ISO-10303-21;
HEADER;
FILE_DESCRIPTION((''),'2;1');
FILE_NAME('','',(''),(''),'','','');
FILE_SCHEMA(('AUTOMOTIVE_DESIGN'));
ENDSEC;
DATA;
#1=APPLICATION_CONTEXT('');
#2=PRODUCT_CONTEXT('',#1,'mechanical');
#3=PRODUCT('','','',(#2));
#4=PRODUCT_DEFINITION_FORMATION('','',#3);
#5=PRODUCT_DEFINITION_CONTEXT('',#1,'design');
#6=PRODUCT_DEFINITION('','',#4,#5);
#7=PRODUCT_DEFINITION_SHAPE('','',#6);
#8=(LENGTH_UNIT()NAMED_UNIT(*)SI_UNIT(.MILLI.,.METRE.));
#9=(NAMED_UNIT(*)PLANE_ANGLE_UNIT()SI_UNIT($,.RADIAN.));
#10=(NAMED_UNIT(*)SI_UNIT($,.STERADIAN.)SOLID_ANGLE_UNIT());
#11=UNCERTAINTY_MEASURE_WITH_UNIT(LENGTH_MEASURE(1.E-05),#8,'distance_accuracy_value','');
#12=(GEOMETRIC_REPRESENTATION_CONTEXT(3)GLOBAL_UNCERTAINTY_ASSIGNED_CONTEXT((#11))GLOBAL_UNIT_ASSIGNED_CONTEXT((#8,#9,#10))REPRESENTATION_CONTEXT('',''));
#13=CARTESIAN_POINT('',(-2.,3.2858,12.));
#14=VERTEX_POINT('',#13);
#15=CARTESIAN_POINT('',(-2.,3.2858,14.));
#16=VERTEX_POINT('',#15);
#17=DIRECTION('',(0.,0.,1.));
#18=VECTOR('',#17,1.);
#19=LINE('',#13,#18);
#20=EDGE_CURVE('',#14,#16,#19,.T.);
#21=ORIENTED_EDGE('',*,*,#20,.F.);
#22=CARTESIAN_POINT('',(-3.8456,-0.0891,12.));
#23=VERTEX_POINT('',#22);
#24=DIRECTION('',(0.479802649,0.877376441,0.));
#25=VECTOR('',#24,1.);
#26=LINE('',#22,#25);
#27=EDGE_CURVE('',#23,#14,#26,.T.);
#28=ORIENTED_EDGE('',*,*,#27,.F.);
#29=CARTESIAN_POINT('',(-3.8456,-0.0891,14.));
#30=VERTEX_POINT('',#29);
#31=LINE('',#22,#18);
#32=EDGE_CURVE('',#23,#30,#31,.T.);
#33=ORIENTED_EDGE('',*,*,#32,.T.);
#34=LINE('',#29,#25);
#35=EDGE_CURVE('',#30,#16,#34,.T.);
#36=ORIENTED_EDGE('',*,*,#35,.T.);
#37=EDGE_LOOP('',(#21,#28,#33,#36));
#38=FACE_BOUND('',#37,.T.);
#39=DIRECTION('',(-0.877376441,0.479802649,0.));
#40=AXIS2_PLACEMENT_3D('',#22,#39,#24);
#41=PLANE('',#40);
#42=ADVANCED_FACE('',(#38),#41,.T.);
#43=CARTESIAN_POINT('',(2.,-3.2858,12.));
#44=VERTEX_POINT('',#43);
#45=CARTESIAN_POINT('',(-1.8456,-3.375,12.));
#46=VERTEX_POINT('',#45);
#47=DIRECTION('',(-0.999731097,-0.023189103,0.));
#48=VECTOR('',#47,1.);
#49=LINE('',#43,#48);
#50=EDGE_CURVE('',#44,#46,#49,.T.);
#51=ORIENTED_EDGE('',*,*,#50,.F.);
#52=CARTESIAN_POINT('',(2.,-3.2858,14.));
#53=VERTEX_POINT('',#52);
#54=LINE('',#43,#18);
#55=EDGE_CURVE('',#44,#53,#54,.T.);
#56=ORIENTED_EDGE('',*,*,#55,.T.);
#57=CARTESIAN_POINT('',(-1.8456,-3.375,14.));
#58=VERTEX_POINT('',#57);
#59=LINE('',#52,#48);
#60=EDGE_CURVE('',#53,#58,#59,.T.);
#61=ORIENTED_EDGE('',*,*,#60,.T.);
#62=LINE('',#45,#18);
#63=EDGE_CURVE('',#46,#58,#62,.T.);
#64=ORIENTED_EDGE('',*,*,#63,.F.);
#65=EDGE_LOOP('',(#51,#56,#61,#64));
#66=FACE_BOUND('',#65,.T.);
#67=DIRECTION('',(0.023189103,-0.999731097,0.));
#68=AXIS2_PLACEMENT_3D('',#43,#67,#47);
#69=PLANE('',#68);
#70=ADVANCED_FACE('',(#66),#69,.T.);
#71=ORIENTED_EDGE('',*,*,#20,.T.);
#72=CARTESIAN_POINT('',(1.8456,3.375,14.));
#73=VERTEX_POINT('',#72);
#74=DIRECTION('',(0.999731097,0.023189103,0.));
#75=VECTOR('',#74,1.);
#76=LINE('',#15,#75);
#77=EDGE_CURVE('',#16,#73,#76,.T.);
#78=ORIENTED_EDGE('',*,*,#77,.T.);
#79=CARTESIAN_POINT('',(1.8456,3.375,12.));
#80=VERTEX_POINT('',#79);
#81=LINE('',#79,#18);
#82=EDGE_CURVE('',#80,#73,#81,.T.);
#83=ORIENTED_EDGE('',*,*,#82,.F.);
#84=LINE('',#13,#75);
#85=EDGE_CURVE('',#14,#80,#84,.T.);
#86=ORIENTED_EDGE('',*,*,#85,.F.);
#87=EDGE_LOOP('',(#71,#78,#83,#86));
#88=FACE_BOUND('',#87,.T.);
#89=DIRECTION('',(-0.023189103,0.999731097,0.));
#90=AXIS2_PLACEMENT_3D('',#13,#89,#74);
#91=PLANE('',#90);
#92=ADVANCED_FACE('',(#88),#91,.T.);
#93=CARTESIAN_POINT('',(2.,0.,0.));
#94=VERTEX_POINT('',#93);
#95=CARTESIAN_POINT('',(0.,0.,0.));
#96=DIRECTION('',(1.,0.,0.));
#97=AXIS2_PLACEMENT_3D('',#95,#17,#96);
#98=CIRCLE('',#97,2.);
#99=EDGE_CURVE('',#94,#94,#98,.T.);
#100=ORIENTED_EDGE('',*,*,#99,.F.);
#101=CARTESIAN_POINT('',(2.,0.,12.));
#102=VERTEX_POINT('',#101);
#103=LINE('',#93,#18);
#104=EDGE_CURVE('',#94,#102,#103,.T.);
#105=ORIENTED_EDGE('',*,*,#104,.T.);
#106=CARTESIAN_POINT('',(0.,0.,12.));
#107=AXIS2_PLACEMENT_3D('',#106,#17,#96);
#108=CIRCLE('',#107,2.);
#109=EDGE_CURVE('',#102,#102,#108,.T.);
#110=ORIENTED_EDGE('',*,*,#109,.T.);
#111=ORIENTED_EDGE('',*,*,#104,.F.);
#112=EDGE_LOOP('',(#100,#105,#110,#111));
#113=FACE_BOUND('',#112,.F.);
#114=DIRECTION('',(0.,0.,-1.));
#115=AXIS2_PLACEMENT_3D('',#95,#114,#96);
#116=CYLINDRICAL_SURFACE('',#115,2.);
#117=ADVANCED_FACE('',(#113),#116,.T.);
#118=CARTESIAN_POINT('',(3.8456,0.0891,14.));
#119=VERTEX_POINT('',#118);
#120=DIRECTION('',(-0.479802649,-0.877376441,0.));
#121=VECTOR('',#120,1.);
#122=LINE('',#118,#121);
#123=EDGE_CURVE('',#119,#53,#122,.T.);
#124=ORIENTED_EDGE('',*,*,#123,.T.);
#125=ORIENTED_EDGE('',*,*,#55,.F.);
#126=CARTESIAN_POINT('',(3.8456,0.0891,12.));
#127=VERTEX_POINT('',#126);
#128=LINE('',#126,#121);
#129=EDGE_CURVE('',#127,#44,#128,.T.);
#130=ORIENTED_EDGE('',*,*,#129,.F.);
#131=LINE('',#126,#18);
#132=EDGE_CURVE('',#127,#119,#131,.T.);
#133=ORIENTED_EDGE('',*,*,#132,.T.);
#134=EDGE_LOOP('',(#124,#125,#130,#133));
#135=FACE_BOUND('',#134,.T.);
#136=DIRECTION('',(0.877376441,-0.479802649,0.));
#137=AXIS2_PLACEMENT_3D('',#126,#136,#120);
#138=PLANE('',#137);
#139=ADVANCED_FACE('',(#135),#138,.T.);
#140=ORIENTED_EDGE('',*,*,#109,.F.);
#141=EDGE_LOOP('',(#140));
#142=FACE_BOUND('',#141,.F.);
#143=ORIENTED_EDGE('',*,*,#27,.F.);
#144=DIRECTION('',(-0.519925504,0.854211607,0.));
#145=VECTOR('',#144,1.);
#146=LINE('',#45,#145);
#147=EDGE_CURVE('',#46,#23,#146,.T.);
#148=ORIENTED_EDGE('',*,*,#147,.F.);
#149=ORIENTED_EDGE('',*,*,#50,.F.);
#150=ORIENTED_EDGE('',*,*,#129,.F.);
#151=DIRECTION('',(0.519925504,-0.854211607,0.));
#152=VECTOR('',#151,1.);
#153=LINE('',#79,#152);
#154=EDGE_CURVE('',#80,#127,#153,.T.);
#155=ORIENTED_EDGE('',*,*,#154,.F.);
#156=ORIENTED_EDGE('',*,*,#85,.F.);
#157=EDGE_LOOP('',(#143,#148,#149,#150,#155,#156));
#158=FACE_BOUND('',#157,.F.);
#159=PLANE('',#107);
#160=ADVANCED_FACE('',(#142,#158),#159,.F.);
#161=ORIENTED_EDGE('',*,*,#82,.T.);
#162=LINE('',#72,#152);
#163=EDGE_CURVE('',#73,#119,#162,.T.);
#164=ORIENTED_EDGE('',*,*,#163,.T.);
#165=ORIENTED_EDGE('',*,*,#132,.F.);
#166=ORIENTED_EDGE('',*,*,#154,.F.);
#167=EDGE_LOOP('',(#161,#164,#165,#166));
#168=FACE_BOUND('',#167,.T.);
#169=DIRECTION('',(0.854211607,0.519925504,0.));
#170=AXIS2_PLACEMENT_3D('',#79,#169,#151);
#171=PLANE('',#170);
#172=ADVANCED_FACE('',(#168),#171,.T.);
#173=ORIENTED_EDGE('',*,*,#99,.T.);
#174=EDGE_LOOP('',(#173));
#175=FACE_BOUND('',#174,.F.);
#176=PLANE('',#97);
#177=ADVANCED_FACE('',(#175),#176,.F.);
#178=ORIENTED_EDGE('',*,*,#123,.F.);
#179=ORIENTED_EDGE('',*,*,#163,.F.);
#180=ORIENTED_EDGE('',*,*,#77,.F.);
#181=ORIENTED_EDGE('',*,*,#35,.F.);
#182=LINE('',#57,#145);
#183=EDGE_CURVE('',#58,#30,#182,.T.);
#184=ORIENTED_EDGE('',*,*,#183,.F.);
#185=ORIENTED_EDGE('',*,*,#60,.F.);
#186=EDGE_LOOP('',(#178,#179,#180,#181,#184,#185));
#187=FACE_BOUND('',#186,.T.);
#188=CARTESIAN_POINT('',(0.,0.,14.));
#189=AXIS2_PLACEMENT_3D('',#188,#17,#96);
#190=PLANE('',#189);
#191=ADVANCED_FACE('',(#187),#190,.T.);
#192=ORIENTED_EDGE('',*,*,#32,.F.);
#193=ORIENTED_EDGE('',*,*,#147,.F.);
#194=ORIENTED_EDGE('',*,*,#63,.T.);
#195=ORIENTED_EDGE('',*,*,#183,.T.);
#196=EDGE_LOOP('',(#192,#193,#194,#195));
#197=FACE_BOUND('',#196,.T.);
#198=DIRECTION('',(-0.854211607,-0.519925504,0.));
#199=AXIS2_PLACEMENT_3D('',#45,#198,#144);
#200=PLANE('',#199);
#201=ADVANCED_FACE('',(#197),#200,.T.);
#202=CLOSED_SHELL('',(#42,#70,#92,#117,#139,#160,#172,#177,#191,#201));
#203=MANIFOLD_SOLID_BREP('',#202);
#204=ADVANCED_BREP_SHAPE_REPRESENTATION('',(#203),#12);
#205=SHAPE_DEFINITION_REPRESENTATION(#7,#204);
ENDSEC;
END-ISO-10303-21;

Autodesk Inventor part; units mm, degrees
ref_plane "YZ Plane" through (0, 0, 0) normal (1, 0, 0) x (0, 1, 0)
ref_plane "XZ Plane" through (0, 0, 0) normal (0, 1, 0) x (-1, 0, 0)
ref_plane "XY Plane" through (0, 0, 0) normal (0, 0, 1) x (1, 0, 0)
sketch "Sketch1" plane through (0, 0, 0) normal (0, 0, 1) x (1, 0, 0)
  circle A0 centre (0, 0) radius 2
  dimension "d0" = 4
extrude "Extrusion1" add sketch "Sketch1" along normal blind 12
sketch "Sketch2" plane through (0, 0, 12) normal (0, 0, 1) x (1, 0, 0)
  line L0 (2, -3.2858) -> (-1.8456, -3.375)
  line L1 (-1.8456, -3.375) -> (-3.8456, -0.0891)
  line L2 (-3.8456, -0.0891) -> (-2, 3.2858)
  line L3 (-2, 3.2858) -> (1.8456, 3.375)
  line L4 (1.8456, 3.375) -> (3.8456, 0.0891)
  line L5 (3.8456, 0.0891) -> (2, -3.2858)
  point P0 (0, 0)
  point P1 (0, 0)
extrude "Extrusion2" add sketch "Sketch2" along normal blind 2
sketch "Sketch3" plane through (0, 0, 0) normal (0, 1, 0) x (-1, 0, 0)
  line L0 (-1.8456, 14) -> (2, 14) projected
  line L1 (2, 0) -> (-2, 0) projected
  point P0 (0, 0)
  dimension "d5" = 14
properties part number "nut1"
